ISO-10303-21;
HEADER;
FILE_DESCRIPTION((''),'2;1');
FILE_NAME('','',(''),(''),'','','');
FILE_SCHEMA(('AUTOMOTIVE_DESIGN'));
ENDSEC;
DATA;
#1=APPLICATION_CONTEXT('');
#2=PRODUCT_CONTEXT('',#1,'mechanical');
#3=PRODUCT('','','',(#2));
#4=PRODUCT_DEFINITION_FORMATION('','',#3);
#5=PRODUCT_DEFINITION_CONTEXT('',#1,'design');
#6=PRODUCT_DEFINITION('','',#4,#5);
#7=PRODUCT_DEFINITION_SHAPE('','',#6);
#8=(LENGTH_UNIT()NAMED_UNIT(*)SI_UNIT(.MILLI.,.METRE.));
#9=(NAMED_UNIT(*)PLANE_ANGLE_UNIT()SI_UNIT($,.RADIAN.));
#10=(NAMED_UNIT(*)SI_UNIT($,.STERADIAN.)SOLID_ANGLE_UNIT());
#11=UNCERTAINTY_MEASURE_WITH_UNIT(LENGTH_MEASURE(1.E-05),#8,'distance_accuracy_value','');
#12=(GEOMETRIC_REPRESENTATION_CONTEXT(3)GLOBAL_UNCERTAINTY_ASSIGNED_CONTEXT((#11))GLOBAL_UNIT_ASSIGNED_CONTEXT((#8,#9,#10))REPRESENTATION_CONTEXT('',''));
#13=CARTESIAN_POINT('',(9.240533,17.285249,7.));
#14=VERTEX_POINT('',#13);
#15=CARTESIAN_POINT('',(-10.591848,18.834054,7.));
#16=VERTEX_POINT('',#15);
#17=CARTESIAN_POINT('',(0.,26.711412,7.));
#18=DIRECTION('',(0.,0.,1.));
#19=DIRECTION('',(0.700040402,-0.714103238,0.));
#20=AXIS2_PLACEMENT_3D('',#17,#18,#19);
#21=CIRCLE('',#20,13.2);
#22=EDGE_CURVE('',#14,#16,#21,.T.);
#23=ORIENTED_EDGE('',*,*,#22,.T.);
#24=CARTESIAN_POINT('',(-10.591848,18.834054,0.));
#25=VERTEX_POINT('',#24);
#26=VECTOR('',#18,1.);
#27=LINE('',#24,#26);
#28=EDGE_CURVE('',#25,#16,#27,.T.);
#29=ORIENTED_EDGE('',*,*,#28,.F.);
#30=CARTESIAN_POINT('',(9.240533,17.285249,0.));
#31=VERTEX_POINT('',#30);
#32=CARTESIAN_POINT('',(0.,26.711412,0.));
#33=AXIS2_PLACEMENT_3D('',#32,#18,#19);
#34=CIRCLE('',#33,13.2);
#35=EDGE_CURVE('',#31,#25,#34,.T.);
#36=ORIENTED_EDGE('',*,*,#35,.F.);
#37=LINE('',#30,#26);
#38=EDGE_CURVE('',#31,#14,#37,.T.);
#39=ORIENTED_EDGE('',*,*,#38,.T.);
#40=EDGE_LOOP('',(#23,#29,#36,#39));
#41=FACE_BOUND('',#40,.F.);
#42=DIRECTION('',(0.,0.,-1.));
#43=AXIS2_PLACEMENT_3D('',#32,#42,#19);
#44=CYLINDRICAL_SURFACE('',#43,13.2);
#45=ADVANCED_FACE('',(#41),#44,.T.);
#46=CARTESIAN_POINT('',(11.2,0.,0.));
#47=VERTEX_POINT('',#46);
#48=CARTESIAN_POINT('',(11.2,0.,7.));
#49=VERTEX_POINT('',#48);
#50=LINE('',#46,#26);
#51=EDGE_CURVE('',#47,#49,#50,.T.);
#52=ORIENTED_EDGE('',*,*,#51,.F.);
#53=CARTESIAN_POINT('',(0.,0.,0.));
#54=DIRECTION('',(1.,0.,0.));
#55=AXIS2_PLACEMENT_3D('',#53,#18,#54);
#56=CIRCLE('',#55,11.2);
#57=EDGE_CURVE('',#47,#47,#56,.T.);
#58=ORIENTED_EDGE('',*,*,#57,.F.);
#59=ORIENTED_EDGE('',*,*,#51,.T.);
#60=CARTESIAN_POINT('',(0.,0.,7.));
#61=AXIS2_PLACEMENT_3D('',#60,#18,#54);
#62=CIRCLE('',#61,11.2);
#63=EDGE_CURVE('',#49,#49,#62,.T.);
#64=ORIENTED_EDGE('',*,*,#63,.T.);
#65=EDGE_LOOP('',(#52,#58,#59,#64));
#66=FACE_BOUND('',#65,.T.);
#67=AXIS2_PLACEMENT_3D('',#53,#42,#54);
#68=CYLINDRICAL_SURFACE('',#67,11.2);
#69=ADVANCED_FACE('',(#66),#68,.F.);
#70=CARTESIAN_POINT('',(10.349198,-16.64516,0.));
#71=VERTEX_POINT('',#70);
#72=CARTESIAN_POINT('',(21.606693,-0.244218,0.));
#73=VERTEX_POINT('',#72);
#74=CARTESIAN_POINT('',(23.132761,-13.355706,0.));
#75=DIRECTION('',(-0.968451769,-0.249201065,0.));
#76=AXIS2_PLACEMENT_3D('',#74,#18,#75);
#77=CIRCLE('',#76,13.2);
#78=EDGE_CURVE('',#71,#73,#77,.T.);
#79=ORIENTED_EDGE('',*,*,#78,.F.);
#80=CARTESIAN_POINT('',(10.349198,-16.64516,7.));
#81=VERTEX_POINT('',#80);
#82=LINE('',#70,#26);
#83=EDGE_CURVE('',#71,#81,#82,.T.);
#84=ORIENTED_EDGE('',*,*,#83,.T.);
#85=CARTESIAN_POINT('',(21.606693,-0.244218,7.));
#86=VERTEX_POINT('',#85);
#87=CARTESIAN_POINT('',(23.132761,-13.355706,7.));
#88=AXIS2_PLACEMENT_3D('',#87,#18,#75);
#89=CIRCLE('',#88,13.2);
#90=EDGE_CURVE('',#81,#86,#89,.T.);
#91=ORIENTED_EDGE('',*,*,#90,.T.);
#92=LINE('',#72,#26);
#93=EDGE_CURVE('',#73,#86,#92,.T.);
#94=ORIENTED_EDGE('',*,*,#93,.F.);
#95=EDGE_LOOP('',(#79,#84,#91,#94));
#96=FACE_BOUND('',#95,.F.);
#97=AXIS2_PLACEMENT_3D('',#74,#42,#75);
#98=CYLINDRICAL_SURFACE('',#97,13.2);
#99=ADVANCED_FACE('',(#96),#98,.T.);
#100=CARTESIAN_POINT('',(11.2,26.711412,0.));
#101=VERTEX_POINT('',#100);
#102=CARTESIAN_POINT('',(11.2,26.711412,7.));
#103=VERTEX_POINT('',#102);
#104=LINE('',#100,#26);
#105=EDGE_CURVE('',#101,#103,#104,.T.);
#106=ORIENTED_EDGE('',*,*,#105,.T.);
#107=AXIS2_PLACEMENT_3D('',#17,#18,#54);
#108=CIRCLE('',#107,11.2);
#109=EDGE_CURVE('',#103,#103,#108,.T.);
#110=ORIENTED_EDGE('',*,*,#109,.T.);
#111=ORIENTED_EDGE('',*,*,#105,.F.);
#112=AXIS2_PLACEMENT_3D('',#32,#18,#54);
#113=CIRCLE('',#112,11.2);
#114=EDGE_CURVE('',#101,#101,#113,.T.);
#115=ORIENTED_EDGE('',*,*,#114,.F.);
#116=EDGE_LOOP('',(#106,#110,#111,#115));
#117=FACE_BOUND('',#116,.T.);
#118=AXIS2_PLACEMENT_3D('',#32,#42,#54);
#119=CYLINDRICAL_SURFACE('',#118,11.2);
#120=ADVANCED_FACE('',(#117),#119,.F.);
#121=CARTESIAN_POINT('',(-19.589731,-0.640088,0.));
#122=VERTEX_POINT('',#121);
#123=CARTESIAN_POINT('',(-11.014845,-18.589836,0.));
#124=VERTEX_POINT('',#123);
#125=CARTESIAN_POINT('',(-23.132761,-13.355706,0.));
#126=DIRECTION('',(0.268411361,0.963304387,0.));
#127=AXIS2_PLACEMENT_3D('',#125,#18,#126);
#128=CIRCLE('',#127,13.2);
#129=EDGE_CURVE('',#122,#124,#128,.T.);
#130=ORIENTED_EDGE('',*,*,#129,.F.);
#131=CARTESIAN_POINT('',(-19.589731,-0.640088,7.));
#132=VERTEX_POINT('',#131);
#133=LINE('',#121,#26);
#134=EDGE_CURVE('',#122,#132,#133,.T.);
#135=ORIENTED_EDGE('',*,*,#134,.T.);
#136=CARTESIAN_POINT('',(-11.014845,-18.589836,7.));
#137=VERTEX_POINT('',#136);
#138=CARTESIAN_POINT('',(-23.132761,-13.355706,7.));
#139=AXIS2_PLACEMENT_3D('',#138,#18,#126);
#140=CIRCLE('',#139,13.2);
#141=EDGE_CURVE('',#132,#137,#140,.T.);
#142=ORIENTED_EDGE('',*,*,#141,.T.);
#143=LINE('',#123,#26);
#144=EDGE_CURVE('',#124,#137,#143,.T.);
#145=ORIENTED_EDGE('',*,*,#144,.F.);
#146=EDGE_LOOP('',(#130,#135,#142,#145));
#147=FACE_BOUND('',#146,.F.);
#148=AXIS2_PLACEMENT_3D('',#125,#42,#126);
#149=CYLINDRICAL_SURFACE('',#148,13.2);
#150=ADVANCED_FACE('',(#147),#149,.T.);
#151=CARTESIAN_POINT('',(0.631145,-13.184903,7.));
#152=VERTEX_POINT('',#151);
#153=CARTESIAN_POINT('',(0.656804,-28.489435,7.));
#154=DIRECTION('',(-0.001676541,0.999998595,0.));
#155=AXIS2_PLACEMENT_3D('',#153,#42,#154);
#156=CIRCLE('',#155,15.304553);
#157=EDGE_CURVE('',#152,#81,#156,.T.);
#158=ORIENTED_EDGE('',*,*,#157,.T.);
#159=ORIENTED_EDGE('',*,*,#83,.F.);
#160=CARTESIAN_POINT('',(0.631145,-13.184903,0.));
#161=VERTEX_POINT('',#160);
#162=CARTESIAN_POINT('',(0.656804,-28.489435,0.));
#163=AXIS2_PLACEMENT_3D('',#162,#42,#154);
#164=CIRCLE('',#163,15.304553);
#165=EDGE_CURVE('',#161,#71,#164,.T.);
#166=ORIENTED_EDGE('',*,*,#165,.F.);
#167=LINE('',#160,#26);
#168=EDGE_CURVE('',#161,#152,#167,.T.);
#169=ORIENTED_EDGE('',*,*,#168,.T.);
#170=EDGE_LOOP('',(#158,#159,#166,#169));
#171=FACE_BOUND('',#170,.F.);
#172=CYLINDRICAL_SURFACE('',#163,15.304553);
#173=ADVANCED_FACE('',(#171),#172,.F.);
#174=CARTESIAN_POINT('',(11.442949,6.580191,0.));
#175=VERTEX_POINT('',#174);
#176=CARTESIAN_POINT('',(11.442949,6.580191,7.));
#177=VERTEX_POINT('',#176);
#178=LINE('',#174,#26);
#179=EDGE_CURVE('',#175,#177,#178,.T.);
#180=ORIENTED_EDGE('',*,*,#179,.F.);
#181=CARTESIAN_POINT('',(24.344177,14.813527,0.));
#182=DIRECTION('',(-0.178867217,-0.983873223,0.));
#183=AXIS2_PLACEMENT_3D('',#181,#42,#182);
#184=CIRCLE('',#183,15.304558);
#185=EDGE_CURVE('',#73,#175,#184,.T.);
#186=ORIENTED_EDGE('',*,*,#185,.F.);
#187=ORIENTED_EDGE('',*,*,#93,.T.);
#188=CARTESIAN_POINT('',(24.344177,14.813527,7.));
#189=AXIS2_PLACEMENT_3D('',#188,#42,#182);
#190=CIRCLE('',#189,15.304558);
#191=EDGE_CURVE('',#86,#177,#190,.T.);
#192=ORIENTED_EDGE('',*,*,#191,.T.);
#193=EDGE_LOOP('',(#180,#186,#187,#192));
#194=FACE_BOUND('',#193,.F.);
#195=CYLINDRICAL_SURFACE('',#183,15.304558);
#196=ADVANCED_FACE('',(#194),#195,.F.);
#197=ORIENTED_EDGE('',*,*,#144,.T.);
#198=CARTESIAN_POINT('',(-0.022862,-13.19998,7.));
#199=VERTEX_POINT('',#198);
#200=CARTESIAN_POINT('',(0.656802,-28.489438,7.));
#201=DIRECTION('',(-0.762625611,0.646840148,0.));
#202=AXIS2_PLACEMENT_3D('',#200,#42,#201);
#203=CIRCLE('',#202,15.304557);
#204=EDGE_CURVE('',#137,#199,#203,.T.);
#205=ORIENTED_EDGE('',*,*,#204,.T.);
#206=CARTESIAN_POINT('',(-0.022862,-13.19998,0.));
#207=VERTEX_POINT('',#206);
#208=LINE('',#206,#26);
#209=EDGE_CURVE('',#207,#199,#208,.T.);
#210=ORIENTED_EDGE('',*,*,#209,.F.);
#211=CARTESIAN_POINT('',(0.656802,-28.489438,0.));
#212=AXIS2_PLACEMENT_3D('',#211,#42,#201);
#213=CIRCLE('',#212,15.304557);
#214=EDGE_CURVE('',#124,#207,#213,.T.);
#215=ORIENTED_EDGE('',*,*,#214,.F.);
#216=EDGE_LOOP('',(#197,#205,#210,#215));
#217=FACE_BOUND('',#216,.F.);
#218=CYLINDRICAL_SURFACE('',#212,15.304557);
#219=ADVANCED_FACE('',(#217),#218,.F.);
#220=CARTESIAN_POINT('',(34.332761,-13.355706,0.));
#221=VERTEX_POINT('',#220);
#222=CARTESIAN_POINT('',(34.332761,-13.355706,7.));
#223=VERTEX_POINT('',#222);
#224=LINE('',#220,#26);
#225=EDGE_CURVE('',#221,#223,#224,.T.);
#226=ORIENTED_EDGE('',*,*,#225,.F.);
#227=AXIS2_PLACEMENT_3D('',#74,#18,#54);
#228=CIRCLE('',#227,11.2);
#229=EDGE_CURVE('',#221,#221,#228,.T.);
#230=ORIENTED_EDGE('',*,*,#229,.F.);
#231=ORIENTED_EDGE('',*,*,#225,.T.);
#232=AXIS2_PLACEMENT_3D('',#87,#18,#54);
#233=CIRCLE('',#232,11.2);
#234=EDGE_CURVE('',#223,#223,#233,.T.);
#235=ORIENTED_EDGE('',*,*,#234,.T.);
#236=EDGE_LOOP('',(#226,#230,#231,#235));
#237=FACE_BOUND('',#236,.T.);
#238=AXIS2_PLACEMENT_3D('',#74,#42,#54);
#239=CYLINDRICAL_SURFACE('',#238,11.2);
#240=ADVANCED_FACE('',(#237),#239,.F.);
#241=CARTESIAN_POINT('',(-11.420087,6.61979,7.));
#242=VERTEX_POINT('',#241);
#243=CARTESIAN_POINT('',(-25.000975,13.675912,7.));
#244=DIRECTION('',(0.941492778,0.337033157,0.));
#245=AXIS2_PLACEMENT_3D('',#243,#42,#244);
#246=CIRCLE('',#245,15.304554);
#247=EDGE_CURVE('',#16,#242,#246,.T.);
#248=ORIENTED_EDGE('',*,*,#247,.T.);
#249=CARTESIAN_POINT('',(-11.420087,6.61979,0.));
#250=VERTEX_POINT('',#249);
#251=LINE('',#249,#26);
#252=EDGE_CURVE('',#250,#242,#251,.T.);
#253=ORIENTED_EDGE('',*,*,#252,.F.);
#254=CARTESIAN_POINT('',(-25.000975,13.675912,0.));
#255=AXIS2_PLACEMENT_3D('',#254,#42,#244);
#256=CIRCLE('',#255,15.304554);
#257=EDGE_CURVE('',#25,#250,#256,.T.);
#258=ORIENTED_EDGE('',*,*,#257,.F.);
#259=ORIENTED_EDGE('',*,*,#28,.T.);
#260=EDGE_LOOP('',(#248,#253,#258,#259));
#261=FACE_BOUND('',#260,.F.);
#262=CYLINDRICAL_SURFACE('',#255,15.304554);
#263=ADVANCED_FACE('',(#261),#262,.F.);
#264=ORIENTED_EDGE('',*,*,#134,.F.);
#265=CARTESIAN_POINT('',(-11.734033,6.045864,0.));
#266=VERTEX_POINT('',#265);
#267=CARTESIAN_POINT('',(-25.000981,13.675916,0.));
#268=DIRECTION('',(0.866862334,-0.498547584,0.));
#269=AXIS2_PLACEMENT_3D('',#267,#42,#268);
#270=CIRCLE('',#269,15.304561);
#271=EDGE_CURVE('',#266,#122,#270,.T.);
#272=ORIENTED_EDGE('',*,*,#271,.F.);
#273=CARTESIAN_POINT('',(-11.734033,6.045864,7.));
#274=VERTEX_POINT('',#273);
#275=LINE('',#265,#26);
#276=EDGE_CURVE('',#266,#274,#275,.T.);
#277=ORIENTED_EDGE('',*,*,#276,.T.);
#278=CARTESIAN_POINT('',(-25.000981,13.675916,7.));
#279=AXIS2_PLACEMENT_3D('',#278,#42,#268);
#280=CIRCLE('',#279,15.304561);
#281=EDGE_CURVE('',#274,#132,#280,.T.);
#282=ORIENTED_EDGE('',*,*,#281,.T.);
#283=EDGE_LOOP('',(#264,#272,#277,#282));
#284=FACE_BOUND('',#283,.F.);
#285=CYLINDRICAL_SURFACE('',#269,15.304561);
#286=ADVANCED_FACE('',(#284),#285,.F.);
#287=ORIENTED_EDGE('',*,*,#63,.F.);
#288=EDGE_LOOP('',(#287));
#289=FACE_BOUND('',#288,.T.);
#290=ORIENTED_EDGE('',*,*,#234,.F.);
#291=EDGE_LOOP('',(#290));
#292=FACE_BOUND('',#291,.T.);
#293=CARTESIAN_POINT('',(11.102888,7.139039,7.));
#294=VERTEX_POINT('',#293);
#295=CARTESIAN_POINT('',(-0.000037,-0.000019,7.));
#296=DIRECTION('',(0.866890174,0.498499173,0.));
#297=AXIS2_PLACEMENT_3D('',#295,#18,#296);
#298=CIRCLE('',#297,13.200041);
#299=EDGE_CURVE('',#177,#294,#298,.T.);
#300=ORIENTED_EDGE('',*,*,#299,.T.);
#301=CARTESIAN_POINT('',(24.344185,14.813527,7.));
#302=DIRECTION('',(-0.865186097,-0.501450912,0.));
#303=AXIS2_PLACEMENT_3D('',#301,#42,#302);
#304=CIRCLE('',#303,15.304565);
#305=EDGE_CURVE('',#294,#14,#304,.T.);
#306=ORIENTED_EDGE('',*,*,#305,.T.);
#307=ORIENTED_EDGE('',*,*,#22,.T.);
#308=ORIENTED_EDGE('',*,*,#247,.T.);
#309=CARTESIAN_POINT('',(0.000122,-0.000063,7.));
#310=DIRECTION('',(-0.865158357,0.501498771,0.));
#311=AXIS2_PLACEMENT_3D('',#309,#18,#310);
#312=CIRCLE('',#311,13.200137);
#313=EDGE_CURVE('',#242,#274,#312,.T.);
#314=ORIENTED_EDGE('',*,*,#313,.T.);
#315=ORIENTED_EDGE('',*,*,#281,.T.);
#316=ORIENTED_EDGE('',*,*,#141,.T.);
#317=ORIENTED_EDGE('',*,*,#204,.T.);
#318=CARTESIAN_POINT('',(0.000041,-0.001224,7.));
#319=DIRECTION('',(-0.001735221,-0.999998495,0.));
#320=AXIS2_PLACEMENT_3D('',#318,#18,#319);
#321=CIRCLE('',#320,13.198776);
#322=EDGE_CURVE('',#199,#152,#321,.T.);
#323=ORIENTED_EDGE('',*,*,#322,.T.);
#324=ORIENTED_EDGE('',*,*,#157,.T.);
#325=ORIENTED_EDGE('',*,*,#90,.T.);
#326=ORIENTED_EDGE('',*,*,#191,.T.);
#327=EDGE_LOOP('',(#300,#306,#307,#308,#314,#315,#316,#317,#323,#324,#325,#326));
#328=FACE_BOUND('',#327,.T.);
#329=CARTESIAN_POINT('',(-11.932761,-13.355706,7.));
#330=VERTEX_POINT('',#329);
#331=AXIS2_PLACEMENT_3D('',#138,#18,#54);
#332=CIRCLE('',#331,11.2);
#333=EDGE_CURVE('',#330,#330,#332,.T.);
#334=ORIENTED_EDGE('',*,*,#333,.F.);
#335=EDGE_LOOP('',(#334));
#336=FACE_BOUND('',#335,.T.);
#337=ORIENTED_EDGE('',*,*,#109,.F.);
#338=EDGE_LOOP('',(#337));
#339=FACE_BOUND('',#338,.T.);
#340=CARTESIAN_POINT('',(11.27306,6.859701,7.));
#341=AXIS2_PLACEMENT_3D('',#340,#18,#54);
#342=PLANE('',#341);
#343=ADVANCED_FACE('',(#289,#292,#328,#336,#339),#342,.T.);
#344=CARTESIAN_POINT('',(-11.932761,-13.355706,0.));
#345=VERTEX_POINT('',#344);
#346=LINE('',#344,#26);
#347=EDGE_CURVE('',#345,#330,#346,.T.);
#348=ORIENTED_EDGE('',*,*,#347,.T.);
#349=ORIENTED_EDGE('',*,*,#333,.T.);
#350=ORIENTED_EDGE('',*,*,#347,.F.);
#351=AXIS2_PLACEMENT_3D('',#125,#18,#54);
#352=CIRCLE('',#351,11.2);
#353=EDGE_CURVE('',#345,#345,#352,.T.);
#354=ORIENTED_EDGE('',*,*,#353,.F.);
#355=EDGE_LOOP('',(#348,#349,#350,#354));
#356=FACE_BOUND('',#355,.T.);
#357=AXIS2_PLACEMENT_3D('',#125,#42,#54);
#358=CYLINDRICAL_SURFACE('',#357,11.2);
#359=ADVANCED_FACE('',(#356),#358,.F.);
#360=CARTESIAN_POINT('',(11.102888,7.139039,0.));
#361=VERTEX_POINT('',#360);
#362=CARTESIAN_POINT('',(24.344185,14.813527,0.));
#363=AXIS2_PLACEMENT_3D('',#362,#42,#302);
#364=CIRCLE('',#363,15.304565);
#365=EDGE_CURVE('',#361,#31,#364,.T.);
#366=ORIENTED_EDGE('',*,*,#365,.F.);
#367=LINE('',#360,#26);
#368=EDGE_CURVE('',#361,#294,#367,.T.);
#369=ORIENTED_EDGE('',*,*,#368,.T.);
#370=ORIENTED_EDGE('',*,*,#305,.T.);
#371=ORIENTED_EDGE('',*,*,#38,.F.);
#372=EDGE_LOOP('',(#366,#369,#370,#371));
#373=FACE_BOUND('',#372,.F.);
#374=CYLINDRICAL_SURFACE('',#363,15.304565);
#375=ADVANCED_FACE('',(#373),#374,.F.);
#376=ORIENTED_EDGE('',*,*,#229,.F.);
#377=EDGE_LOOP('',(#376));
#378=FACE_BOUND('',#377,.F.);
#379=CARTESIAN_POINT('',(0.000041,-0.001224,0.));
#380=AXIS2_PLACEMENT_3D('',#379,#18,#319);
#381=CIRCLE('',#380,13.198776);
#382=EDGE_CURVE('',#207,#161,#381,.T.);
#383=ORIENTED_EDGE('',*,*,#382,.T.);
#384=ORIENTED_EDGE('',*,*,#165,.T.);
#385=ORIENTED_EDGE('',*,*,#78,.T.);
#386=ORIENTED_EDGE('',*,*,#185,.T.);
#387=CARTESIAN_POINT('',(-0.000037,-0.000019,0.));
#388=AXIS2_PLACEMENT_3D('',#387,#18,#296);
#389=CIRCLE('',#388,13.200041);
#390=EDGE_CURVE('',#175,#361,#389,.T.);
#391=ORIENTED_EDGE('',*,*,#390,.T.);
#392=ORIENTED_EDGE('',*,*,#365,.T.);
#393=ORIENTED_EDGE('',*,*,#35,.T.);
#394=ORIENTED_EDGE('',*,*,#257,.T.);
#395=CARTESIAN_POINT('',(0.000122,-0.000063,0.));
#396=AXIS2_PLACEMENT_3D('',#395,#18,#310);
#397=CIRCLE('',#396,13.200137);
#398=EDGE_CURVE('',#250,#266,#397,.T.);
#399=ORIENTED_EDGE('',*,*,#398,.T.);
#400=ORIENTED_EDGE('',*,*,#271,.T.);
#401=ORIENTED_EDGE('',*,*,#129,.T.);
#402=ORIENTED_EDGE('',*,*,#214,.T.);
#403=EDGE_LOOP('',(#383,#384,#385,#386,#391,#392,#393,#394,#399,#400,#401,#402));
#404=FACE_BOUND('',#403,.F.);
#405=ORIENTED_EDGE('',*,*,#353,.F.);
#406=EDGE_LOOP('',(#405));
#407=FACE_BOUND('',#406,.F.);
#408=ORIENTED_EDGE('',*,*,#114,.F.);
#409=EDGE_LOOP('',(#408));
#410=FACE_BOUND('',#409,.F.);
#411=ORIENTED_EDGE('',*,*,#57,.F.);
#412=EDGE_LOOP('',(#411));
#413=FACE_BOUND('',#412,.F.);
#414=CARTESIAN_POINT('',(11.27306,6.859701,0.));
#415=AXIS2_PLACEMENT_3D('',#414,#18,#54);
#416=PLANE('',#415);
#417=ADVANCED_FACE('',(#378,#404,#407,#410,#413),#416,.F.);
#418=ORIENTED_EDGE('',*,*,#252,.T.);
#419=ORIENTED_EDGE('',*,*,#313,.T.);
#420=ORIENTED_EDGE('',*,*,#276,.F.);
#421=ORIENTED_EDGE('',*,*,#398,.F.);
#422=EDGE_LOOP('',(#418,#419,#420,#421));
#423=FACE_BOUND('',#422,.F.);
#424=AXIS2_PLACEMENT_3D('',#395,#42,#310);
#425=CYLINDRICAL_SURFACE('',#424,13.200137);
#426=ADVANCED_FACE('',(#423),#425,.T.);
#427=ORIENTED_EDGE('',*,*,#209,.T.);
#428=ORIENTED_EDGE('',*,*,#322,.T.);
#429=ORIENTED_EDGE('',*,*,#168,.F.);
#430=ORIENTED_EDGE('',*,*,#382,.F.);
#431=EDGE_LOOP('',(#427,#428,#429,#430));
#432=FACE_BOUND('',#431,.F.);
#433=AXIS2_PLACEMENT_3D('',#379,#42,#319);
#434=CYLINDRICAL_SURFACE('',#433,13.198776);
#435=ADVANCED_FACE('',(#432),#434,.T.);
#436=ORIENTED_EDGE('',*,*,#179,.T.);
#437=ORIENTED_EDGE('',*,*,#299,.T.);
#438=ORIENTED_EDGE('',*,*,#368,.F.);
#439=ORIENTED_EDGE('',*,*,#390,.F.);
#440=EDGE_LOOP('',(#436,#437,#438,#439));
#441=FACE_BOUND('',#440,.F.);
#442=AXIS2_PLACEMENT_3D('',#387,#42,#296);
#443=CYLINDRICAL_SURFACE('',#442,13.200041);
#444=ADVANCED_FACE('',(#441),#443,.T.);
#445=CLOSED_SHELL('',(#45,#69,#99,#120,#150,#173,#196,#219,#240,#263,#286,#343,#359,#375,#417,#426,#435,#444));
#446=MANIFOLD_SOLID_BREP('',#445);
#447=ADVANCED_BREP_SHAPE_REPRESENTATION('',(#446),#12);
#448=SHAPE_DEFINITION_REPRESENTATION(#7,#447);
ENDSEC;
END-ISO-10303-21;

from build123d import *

# Parameters (mm, degrees)
F0_R     = 11.2
F1_DEPTH = 7


with BuildPart() as f1:
    # F0 (on Top) → F1 (new body)
    with BuildSketch(Plane.XY):
        with BuildLine():
            ThreePointArc((11.102888, 7.139039), (11.269932, 6.857798), (11.442949, 6.580191))
            ThreePointArc((11.442949, 6.580191), (11.276381, 6.861722), (11.102888, 7.139039))
        make_face()
        with BuildLine():
            ThreePointArc((21.606693, -0.244218), (15.812737, 2.107464), (11.442949, 6.580191))
            ThreePointArc((11.442949, 6.580191), (11.269932, 6.857798), (11.102888, 7.139039))
            ThreePointArc((11.102888, 7.139039), (9.291098, 12.050506), (9.240533, 17.285249))
            ThreePointArc((9.240533, 17.285249), (1.027722, 39.871343), (-10.591848, 18.834054))
            ThreePointArc((-10.591848, 18.834054), (-9.731486, 12.6405), (-11.420087, 6.61979))
            ThreePointArc((-11.420087, 6.61979), (-11.573993, 6.331149), (-11.734033, 6.045864))
            ThreePointArc((-11.734033, 6.045864), (-15.081593, 2.021074), (-19.589731, -0.640088))
            ThreePointArc((-19.589731, -0.640088), (-35.043457, -19.045638), (-11.014845, -18.589836))
            ThreePointArc((-11.014845, -18.589836), (-6.081251, -14.747964), (-0.022862, -13.19998))
            ThreePointArc((-0.022862, -13.19998), (0.304061, -13.188947), (0.631145, -13.184903))
            ThreePointArc((0.631145, -13.184903), (5.790495, -14.071579), (10.349198, -16.64516))
            ThreePointArc((10.349198, -16.64516), (34.015735, -20.825705), (21.606693, -0.244218))
        make_face()
        with Locations((-23.132761, -13.355706)):
            Circle(F0_R, mode=Mode.SUBTRACT)
        with Locations((23.132761, -13.355706)):
            Circle(F0_R, mode=Mode.SUBTRACT)
        Circle(F0_R, mode=Mode.SUBTRACT)
        with Locations((0, 26.711412)):
            Circle(F0_R, mode=Mode.SUBTRACT)
        with BuildLine():
            ThreePointArc((-0.022862, -13.19998), (0.304235, -13.196494), (0.631145, -13.184903))
            ThreePointArc((0.631145, -13.184903), (0.304061, -13.188947), (-0.022862, -13.19998))
        make_face()
        with BuildLine():
            ThreePointArc((-11.734033, 6.045864), (-11.573993, 6.331149), (-11.420087, 6.61979))
            ThreePointArc((-11.420087, 6.61979), (-11.580616, 6.334772), (-11.734033, 6.045864))
        make_face()
    extrude(amount=F1_DEPTH)


solid = f1.part
